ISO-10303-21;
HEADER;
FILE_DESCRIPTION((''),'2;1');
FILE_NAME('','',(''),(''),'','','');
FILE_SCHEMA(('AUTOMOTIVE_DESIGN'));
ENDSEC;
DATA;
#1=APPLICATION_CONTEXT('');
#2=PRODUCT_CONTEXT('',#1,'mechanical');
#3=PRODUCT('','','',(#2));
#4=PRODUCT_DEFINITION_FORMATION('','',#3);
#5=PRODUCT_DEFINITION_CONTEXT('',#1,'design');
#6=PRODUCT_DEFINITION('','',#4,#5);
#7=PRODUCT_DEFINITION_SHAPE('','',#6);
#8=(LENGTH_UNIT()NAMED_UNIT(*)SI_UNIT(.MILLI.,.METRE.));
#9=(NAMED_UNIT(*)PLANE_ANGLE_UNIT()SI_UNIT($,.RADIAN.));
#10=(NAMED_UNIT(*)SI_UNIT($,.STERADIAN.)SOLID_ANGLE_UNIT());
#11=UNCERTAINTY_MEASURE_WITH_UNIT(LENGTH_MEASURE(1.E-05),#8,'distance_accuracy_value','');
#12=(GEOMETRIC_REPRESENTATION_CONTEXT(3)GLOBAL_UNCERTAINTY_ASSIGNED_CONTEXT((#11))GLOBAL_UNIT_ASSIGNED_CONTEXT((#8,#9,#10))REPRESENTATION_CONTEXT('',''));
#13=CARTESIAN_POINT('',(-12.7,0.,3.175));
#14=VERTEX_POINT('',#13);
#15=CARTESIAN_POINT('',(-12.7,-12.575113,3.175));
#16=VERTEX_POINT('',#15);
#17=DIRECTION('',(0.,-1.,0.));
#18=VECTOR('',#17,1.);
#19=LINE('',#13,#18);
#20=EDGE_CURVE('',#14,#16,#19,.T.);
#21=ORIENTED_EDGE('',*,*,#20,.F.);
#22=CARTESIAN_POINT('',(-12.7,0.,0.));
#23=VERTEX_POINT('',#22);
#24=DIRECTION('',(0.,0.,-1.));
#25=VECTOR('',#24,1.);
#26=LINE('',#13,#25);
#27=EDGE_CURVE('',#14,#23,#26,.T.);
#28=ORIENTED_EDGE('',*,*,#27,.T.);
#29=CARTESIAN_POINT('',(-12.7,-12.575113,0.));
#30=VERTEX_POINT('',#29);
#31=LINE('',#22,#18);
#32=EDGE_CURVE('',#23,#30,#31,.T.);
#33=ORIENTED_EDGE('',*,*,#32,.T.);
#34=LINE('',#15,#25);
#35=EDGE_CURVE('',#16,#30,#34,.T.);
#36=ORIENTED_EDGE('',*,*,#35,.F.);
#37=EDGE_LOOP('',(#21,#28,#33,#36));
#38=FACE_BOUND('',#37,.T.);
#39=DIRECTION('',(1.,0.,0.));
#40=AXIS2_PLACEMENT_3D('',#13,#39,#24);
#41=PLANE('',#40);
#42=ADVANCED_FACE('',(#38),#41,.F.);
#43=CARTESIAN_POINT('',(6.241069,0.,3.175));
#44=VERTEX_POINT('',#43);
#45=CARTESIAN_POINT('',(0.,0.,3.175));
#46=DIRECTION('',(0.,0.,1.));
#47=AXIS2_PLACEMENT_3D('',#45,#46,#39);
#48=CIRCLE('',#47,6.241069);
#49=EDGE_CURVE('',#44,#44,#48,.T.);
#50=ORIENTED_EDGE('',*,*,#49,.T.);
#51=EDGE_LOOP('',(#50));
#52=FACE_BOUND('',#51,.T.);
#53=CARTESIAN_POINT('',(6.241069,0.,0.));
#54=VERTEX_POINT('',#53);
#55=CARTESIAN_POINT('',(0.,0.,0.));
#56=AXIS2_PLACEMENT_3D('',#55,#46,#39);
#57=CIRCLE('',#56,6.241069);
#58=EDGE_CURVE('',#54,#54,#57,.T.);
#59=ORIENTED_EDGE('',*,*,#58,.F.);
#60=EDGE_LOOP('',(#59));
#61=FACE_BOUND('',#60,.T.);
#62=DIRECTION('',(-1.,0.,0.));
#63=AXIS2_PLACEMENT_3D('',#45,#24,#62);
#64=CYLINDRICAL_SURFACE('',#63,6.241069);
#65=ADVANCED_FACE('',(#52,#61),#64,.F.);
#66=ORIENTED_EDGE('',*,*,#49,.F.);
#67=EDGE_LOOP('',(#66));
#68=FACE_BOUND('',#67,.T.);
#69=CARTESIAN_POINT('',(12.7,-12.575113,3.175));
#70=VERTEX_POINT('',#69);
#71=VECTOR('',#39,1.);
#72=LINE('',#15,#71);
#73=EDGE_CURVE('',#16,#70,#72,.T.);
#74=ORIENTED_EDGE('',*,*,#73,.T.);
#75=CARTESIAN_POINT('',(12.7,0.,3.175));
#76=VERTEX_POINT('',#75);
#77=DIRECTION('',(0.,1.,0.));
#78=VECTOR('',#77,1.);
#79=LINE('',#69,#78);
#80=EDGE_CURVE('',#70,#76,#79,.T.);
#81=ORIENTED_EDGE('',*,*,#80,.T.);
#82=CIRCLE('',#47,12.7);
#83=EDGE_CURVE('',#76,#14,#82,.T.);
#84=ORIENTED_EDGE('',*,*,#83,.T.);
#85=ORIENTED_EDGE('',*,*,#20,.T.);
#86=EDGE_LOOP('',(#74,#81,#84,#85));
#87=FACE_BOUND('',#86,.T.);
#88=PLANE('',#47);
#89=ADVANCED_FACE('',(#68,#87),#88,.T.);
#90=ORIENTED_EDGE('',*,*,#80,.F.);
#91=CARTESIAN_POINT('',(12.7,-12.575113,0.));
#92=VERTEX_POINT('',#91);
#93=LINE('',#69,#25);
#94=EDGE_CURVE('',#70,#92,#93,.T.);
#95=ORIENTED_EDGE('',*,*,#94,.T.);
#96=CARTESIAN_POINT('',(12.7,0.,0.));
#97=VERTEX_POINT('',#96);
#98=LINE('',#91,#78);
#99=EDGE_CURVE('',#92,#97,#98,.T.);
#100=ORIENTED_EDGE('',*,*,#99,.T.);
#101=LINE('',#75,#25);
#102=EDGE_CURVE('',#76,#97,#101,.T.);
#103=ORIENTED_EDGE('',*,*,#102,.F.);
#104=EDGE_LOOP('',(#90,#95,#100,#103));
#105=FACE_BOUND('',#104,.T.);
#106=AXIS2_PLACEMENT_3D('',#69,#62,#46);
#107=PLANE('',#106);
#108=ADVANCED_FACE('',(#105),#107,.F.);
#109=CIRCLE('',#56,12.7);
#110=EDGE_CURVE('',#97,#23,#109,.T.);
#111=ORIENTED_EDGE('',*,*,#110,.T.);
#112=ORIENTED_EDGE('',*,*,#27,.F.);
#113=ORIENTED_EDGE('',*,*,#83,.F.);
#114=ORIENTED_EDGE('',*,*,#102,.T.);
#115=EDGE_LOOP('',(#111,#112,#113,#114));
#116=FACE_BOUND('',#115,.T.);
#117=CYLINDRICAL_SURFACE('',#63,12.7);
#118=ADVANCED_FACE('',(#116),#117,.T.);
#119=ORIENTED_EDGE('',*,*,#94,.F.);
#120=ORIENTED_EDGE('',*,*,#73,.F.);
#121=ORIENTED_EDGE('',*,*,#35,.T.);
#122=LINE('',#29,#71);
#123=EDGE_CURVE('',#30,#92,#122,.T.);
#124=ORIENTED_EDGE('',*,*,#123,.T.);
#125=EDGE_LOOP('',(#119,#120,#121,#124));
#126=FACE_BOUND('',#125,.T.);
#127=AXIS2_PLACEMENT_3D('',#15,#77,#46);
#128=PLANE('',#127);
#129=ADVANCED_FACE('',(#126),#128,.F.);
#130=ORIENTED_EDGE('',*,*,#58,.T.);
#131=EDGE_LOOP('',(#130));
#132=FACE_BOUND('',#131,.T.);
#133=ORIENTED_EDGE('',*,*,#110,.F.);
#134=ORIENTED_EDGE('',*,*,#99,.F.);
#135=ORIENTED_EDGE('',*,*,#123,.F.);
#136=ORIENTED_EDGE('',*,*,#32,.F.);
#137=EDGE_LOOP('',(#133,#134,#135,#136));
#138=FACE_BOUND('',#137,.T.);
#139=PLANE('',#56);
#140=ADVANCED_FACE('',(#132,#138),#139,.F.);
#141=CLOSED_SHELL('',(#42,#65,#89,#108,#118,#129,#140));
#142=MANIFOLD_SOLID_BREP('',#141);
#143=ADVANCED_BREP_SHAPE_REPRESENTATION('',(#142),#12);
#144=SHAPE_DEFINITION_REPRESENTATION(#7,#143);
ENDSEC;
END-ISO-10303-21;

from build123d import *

# Parameters (mm, degrees)
SKETCH1_R           = 6.241069067
BOSS_EXTRUDE1_DEPTH = 3.175


with BuildPart() as part:
    # Sketch1 → Boss-Extrude1 (new body)
    with BuildSketch(Plane.XY):
        with BuildLine():
            Line((-12.7, 0), (-12.7, -12.575113464))
            Line((-12.7, -12.575113464), (12.7, -12.575113464))
            Line((12.7, -12.575113464), (12.7, 0))
            ThreePointArc((12.7, 0), (0, 12.7), (-12.7, 0))
        make_face()
        Circle(SKETCH1_R, mode=Mode.SUBTRACT)
    extrude(amount=BOSS_EXTRUDE1_DEPTH)


solid = part.part
